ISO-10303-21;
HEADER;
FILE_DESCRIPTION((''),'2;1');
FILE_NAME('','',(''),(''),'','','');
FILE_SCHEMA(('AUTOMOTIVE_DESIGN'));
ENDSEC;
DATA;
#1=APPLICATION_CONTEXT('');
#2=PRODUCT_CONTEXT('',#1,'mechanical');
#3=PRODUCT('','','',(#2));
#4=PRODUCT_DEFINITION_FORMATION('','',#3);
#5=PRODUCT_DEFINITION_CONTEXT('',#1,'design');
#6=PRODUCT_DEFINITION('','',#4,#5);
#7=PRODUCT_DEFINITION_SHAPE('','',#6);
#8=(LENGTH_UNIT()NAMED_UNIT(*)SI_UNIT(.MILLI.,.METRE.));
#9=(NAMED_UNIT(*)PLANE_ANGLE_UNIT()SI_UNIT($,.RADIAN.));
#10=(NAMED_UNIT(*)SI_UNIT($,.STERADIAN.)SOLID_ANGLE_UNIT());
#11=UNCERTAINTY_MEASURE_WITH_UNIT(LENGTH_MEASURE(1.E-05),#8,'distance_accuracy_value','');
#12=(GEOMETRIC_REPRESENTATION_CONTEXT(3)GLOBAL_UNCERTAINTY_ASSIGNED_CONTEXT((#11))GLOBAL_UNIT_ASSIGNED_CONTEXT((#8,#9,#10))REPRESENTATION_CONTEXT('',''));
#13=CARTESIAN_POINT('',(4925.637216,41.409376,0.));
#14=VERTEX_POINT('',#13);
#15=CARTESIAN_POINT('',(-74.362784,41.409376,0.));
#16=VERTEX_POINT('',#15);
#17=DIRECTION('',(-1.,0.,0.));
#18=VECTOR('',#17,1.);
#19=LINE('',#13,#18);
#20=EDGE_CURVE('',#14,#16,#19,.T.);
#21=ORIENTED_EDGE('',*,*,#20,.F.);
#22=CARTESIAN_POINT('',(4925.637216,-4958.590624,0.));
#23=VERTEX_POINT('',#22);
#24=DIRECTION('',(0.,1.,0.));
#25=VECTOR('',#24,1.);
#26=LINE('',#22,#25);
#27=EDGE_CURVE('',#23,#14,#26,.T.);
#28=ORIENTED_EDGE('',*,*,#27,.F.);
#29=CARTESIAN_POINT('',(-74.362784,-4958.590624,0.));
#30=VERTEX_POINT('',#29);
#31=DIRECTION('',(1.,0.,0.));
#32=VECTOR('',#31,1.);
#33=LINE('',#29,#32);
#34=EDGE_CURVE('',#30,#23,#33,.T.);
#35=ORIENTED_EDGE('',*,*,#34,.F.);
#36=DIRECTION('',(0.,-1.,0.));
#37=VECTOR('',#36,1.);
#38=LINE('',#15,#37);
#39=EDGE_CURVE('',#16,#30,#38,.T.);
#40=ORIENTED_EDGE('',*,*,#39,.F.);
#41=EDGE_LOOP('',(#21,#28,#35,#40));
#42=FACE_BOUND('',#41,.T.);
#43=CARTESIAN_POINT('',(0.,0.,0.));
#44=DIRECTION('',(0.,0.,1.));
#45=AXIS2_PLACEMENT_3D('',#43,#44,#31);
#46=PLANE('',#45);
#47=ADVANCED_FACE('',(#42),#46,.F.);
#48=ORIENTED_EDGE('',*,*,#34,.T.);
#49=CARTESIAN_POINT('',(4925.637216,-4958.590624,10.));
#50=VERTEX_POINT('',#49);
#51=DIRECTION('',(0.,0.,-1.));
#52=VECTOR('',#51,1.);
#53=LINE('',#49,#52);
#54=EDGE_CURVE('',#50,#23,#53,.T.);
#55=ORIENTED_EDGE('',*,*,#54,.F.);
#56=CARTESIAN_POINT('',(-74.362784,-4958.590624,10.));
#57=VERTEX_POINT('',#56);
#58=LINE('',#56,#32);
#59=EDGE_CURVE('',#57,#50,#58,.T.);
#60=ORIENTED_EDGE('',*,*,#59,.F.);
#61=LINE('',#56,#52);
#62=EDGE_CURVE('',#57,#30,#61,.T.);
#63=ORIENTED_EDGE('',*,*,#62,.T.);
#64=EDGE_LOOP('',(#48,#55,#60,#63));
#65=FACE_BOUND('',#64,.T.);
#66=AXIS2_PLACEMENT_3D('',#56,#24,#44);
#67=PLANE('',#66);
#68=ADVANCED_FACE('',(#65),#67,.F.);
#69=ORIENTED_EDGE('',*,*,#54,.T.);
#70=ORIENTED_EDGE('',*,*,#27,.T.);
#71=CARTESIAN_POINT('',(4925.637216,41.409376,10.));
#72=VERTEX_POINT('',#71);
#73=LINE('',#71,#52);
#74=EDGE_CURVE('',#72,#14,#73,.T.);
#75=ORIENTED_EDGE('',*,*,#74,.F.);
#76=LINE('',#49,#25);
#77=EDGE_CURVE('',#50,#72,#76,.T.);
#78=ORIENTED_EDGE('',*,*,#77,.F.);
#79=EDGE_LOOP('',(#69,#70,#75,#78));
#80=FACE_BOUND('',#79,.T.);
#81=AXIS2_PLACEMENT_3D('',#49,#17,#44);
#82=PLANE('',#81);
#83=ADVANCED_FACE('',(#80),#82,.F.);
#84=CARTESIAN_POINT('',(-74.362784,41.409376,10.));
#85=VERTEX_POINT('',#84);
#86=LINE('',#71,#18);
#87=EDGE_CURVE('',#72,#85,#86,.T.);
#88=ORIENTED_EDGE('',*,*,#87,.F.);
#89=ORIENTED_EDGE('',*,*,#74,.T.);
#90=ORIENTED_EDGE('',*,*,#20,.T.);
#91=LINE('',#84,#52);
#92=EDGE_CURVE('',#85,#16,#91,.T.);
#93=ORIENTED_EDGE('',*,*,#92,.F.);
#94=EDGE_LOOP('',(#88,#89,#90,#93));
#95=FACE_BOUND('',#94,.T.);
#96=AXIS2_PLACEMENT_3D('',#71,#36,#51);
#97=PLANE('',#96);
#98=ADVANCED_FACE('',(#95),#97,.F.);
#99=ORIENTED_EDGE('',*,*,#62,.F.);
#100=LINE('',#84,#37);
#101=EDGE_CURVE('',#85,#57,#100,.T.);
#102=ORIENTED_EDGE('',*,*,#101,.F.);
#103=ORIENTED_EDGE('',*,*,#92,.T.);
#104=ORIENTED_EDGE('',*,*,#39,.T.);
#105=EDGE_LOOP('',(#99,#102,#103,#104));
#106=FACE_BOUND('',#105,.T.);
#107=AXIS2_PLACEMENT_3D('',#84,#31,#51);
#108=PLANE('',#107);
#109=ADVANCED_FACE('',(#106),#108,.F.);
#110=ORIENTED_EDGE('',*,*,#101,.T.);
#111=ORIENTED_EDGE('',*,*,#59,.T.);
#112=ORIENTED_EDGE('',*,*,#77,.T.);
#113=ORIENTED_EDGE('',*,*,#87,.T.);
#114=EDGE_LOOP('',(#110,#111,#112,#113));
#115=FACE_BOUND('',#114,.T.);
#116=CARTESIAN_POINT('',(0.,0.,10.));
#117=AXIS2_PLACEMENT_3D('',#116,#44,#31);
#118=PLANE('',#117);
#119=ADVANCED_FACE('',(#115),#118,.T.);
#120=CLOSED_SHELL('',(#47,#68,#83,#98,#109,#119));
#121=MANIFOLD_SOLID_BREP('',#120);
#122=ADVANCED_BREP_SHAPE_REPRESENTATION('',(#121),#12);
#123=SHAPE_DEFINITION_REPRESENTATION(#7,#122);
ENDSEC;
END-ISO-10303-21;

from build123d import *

# Parameters (mm, degrees)
SKETCH_1_W      = 5000
SKETCH_1_H      = 5000
EXTRUDE_1_DEPTH = 10


with BuildPart() as part:
    # 草图1 → 凸台-拉伸1 (new body)
    with BuildSketch(Plane.XY):
        with Locations((2425.637216468, -2458.590623886)):
            Rectangle(SKETCH_1_W, SKETCH_1_H)
    extrude(amount=EXTRUDE_1_DEPTH)


solid = part.part
